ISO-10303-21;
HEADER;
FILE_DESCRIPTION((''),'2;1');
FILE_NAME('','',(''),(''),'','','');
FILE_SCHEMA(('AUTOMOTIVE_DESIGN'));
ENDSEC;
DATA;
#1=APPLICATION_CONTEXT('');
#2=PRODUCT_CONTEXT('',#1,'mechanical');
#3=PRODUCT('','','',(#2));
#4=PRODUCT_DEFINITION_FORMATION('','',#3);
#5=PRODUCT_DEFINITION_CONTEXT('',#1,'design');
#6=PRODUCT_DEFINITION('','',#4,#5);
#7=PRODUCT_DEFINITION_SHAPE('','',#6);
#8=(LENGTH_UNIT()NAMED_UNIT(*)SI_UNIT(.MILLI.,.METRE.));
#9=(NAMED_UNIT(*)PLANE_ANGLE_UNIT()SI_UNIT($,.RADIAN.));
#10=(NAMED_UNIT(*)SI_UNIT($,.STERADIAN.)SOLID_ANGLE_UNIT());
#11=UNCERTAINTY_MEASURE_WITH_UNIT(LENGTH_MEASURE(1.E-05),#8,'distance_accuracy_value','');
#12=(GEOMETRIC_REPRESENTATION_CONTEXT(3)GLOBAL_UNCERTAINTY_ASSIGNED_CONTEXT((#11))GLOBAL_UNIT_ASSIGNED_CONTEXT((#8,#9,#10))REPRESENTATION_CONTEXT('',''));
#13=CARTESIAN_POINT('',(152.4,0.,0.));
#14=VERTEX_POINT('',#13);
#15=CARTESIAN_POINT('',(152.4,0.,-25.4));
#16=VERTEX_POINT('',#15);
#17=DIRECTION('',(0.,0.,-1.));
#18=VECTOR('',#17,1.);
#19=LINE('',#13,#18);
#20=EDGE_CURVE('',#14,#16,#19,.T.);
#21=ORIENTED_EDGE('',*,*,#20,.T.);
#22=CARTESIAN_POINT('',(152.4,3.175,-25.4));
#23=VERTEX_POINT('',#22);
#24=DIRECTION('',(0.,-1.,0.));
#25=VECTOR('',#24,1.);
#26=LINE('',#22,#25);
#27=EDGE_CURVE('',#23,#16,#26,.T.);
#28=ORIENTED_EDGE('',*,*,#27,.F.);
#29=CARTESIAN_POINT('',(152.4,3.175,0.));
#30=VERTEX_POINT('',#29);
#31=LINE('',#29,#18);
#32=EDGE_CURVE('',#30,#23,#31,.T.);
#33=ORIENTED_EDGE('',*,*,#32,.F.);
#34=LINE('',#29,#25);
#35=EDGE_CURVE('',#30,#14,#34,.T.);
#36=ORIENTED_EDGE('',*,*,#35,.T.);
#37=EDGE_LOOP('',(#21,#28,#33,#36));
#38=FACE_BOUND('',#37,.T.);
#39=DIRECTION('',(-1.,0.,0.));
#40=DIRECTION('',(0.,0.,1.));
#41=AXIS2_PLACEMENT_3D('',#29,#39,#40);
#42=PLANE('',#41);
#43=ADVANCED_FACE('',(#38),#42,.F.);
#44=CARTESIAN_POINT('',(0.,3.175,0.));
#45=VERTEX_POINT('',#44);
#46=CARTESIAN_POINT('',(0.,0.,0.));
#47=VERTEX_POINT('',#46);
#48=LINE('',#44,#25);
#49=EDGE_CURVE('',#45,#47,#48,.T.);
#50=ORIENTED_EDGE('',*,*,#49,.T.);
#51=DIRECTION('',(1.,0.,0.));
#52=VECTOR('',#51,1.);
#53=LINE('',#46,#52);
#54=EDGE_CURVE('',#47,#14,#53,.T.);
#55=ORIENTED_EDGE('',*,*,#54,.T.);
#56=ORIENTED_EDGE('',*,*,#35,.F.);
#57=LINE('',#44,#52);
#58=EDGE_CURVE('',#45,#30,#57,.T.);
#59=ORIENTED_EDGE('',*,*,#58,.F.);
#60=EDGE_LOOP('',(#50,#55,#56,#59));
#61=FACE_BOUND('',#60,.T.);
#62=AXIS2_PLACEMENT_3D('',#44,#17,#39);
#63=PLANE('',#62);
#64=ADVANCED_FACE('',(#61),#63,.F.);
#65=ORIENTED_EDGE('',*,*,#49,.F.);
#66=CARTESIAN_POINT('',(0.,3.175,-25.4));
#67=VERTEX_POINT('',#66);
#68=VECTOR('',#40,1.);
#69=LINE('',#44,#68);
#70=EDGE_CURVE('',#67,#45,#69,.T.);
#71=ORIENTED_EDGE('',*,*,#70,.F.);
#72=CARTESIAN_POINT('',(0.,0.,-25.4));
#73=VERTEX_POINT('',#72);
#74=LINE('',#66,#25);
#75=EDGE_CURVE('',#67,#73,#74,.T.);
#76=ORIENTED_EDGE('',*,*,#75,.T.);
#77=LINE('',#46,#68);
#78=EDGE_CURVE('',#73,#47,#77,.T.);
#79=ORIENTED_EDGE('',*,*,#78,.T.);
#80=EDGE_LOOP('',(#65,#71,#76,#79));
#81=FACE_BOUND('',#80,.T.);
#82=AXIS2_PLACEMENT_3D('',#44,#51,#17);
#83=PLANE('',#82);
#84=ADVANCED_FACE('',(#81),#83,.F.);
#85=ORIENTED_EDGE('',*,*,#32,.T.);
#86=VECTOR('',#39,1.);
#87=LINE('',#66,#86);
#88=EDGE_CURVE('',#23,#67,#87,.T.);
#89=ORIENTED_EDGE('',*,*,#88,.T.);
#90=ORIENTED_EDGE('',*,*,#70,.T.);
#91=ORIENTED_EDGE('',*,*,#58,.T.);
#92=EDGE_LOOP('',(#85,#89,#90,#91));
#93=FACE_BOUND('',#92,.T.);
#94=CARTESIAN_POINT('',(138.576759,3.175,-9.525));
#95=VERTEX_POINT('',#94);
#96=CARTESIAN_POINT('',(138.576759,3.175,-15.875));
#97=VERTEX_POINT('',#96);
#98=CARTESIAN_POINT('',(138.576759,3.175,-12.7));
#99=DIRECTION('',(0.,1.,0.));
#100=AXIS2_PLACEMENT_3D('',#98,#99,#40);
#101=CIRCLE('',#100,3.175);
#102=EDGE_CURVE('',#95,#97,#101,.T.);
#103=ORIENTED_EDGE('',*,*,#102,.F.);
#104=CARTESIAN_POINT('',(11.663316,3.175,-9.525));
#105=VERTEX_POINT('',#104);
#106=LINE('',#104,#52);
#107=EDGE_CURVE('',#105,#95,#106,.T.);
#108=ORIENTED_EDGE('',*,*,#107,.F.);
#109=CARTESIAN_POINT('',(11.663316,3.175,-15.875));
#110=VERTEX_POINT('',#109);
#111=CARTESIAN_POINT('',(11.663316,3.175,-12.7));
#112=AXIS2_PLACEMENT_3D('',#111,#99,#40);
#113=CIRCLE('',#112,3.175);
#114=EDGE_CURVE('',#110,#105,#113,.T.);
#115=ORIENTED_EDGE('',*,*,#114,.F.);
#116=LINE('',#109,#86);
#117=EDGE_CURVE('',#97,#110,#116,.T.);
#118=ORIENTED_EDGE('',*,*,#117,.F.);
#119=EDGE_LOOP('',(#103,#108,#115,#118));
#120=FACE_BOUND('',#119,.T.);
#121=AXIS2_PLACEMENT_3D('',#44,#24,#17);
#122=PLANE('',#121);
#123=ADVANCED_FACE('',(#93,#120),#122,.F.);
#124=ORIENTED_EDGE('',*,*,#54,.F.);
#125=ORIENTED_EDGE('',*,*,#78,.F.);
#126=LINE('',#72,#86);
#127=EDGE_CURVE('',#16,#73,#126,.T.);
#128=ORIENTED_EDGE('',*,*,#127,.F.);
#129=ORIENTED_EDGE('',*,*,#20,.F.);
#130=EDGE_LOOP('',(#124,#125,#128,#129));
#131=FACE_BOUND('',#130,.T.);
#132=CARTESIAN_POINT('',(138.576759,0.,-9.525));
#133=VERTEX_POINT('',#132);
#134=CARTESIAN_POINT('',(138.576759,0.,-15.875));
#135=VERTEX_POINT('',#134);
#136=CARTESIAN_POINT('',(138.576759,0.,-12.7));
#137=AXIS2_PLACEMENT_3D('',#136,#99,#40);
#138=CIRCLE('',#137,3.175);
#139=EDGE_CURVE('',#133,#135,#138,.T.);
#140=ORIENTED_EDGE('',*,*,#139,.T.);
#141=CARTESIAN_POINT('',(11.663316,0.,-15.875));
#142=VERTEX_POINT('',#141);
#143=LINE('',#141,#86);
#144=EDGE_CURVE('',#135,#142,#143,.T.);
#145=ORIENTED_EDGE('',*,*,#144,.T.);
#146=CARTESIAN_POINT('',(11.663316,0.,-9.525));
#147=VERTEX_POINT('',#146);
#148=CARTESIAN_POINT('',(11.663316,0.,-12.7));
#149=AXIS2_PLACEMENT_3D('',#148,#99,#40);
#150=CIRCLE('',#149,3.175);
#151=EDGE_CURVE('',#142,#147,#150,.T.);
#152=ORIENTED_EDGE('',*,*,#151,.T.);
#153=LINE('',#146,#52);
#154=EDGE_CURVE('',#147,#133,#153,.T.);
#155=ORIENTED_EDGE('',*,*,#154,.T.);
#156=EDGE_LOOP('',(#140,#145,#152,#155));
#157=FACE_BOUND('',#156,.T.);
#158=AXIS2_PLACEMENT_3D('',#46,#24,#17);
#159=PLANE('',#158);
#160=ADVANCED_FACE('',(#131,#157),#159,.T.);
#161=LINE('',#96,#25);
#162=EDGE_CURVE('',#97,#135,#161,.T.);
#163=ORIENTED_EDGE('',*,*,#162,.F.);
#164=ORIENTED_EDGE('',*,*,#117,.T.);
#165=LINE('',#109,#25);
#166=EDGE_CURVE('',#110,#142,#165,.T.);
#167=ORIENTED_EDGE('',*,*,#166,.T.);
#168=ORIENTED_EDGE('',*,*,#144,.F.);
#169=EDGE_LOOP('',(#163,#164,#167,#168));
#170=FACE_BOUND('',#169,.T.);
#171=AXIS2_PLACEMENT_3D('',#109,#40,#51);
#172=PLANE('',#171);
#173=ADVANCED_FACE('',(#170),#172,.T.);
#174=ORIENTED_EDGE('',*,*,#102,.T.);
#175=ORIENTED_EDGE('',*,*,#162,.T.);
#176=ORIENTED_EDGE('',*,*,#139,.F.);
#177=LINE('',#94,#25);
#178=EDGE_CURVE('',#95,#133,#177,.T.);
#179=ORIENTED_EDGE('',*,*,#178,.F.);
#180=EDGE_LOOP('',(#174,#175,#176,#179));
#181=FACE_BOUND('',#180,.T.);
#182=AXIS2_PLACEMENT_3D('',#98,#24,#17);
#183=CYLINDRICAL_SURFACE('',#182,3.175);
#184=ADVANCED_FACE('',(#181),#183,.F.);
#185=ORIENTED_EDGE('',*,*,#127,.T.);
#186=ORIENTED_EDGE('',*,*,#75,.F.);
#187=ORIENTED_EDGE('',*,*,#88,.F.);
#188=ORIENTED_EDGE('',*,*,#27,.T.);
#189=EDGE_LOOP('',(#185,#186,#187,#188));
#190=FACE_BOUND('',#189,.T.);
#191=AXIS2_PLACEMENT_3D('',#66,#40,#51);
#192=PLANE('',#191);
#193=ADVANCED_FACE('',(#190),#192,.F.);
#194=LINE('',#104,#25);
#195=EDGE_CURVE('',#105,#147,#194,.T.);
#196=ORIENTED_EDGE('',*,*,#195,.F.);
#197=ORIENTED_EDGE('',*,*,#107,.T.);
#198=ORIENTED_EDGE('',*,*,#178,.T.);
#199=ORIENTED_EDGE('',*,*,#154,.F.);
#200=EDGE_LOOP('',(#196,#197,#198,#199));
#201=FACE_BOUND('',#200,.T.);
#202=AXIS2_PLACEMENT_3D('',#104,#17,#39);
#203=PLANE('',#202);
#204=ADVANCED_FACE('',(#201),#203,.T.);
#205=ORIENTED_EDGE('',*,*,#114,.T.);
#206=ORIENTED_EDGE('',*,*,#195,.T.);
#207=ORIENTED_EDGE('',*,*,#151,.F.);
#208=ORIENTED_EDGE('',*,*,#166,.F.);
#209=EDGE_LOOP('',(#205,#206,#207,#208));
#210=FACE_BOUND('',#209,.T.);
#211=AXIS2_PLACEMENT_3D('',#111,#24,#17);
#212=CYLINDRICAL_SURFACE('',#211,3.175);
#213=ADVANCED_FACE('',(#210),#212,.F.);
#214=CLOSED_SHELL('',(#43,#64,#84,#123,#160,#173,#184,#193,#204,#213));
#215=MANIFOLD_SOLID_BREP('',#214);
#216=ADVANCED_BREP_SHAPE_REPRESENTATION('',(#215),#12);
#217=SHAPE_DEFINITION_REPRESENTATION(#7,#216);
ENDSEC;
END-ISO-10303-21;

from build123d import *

# Parameters (mm, degrees)
SKETCH1_W           = 152.4
SKETCH1_H           = 25.4
BOSS_EXTRUDE1_DEPTH = 3.175


with BuildPart() as part:
    # Sketch1 → Boss-Extrude1 (new body)
    with BuildSketch(Plane(origin=(0, 0, 0), x_dir=(1, 0, 0), z_dir=(0, 1, 0))):
        with Locations((76.2, 12.7)):
            Rectangle(SKETCH1_W, SKETCH1_H)
        with BuildLine():
            Line((11.663316062, 15.875), (138.576758834, 15.875))
            ThreePointArc((138.576758834, 15.875), (141.751758834, 12.7), (138.576758834, 9.525))
            Line((138.576758834, 9.525), (11.663316062, 9.525))
            ThreePointArc((11.663316062, 9.525), (8.488316062, 12.7), (11.663316062, 15.875))
        make_face(mode=Mode.SUBTRACT)
    extrude(amount=BOSS_EXTRUDE1_DEPTH)


solid = part.part
